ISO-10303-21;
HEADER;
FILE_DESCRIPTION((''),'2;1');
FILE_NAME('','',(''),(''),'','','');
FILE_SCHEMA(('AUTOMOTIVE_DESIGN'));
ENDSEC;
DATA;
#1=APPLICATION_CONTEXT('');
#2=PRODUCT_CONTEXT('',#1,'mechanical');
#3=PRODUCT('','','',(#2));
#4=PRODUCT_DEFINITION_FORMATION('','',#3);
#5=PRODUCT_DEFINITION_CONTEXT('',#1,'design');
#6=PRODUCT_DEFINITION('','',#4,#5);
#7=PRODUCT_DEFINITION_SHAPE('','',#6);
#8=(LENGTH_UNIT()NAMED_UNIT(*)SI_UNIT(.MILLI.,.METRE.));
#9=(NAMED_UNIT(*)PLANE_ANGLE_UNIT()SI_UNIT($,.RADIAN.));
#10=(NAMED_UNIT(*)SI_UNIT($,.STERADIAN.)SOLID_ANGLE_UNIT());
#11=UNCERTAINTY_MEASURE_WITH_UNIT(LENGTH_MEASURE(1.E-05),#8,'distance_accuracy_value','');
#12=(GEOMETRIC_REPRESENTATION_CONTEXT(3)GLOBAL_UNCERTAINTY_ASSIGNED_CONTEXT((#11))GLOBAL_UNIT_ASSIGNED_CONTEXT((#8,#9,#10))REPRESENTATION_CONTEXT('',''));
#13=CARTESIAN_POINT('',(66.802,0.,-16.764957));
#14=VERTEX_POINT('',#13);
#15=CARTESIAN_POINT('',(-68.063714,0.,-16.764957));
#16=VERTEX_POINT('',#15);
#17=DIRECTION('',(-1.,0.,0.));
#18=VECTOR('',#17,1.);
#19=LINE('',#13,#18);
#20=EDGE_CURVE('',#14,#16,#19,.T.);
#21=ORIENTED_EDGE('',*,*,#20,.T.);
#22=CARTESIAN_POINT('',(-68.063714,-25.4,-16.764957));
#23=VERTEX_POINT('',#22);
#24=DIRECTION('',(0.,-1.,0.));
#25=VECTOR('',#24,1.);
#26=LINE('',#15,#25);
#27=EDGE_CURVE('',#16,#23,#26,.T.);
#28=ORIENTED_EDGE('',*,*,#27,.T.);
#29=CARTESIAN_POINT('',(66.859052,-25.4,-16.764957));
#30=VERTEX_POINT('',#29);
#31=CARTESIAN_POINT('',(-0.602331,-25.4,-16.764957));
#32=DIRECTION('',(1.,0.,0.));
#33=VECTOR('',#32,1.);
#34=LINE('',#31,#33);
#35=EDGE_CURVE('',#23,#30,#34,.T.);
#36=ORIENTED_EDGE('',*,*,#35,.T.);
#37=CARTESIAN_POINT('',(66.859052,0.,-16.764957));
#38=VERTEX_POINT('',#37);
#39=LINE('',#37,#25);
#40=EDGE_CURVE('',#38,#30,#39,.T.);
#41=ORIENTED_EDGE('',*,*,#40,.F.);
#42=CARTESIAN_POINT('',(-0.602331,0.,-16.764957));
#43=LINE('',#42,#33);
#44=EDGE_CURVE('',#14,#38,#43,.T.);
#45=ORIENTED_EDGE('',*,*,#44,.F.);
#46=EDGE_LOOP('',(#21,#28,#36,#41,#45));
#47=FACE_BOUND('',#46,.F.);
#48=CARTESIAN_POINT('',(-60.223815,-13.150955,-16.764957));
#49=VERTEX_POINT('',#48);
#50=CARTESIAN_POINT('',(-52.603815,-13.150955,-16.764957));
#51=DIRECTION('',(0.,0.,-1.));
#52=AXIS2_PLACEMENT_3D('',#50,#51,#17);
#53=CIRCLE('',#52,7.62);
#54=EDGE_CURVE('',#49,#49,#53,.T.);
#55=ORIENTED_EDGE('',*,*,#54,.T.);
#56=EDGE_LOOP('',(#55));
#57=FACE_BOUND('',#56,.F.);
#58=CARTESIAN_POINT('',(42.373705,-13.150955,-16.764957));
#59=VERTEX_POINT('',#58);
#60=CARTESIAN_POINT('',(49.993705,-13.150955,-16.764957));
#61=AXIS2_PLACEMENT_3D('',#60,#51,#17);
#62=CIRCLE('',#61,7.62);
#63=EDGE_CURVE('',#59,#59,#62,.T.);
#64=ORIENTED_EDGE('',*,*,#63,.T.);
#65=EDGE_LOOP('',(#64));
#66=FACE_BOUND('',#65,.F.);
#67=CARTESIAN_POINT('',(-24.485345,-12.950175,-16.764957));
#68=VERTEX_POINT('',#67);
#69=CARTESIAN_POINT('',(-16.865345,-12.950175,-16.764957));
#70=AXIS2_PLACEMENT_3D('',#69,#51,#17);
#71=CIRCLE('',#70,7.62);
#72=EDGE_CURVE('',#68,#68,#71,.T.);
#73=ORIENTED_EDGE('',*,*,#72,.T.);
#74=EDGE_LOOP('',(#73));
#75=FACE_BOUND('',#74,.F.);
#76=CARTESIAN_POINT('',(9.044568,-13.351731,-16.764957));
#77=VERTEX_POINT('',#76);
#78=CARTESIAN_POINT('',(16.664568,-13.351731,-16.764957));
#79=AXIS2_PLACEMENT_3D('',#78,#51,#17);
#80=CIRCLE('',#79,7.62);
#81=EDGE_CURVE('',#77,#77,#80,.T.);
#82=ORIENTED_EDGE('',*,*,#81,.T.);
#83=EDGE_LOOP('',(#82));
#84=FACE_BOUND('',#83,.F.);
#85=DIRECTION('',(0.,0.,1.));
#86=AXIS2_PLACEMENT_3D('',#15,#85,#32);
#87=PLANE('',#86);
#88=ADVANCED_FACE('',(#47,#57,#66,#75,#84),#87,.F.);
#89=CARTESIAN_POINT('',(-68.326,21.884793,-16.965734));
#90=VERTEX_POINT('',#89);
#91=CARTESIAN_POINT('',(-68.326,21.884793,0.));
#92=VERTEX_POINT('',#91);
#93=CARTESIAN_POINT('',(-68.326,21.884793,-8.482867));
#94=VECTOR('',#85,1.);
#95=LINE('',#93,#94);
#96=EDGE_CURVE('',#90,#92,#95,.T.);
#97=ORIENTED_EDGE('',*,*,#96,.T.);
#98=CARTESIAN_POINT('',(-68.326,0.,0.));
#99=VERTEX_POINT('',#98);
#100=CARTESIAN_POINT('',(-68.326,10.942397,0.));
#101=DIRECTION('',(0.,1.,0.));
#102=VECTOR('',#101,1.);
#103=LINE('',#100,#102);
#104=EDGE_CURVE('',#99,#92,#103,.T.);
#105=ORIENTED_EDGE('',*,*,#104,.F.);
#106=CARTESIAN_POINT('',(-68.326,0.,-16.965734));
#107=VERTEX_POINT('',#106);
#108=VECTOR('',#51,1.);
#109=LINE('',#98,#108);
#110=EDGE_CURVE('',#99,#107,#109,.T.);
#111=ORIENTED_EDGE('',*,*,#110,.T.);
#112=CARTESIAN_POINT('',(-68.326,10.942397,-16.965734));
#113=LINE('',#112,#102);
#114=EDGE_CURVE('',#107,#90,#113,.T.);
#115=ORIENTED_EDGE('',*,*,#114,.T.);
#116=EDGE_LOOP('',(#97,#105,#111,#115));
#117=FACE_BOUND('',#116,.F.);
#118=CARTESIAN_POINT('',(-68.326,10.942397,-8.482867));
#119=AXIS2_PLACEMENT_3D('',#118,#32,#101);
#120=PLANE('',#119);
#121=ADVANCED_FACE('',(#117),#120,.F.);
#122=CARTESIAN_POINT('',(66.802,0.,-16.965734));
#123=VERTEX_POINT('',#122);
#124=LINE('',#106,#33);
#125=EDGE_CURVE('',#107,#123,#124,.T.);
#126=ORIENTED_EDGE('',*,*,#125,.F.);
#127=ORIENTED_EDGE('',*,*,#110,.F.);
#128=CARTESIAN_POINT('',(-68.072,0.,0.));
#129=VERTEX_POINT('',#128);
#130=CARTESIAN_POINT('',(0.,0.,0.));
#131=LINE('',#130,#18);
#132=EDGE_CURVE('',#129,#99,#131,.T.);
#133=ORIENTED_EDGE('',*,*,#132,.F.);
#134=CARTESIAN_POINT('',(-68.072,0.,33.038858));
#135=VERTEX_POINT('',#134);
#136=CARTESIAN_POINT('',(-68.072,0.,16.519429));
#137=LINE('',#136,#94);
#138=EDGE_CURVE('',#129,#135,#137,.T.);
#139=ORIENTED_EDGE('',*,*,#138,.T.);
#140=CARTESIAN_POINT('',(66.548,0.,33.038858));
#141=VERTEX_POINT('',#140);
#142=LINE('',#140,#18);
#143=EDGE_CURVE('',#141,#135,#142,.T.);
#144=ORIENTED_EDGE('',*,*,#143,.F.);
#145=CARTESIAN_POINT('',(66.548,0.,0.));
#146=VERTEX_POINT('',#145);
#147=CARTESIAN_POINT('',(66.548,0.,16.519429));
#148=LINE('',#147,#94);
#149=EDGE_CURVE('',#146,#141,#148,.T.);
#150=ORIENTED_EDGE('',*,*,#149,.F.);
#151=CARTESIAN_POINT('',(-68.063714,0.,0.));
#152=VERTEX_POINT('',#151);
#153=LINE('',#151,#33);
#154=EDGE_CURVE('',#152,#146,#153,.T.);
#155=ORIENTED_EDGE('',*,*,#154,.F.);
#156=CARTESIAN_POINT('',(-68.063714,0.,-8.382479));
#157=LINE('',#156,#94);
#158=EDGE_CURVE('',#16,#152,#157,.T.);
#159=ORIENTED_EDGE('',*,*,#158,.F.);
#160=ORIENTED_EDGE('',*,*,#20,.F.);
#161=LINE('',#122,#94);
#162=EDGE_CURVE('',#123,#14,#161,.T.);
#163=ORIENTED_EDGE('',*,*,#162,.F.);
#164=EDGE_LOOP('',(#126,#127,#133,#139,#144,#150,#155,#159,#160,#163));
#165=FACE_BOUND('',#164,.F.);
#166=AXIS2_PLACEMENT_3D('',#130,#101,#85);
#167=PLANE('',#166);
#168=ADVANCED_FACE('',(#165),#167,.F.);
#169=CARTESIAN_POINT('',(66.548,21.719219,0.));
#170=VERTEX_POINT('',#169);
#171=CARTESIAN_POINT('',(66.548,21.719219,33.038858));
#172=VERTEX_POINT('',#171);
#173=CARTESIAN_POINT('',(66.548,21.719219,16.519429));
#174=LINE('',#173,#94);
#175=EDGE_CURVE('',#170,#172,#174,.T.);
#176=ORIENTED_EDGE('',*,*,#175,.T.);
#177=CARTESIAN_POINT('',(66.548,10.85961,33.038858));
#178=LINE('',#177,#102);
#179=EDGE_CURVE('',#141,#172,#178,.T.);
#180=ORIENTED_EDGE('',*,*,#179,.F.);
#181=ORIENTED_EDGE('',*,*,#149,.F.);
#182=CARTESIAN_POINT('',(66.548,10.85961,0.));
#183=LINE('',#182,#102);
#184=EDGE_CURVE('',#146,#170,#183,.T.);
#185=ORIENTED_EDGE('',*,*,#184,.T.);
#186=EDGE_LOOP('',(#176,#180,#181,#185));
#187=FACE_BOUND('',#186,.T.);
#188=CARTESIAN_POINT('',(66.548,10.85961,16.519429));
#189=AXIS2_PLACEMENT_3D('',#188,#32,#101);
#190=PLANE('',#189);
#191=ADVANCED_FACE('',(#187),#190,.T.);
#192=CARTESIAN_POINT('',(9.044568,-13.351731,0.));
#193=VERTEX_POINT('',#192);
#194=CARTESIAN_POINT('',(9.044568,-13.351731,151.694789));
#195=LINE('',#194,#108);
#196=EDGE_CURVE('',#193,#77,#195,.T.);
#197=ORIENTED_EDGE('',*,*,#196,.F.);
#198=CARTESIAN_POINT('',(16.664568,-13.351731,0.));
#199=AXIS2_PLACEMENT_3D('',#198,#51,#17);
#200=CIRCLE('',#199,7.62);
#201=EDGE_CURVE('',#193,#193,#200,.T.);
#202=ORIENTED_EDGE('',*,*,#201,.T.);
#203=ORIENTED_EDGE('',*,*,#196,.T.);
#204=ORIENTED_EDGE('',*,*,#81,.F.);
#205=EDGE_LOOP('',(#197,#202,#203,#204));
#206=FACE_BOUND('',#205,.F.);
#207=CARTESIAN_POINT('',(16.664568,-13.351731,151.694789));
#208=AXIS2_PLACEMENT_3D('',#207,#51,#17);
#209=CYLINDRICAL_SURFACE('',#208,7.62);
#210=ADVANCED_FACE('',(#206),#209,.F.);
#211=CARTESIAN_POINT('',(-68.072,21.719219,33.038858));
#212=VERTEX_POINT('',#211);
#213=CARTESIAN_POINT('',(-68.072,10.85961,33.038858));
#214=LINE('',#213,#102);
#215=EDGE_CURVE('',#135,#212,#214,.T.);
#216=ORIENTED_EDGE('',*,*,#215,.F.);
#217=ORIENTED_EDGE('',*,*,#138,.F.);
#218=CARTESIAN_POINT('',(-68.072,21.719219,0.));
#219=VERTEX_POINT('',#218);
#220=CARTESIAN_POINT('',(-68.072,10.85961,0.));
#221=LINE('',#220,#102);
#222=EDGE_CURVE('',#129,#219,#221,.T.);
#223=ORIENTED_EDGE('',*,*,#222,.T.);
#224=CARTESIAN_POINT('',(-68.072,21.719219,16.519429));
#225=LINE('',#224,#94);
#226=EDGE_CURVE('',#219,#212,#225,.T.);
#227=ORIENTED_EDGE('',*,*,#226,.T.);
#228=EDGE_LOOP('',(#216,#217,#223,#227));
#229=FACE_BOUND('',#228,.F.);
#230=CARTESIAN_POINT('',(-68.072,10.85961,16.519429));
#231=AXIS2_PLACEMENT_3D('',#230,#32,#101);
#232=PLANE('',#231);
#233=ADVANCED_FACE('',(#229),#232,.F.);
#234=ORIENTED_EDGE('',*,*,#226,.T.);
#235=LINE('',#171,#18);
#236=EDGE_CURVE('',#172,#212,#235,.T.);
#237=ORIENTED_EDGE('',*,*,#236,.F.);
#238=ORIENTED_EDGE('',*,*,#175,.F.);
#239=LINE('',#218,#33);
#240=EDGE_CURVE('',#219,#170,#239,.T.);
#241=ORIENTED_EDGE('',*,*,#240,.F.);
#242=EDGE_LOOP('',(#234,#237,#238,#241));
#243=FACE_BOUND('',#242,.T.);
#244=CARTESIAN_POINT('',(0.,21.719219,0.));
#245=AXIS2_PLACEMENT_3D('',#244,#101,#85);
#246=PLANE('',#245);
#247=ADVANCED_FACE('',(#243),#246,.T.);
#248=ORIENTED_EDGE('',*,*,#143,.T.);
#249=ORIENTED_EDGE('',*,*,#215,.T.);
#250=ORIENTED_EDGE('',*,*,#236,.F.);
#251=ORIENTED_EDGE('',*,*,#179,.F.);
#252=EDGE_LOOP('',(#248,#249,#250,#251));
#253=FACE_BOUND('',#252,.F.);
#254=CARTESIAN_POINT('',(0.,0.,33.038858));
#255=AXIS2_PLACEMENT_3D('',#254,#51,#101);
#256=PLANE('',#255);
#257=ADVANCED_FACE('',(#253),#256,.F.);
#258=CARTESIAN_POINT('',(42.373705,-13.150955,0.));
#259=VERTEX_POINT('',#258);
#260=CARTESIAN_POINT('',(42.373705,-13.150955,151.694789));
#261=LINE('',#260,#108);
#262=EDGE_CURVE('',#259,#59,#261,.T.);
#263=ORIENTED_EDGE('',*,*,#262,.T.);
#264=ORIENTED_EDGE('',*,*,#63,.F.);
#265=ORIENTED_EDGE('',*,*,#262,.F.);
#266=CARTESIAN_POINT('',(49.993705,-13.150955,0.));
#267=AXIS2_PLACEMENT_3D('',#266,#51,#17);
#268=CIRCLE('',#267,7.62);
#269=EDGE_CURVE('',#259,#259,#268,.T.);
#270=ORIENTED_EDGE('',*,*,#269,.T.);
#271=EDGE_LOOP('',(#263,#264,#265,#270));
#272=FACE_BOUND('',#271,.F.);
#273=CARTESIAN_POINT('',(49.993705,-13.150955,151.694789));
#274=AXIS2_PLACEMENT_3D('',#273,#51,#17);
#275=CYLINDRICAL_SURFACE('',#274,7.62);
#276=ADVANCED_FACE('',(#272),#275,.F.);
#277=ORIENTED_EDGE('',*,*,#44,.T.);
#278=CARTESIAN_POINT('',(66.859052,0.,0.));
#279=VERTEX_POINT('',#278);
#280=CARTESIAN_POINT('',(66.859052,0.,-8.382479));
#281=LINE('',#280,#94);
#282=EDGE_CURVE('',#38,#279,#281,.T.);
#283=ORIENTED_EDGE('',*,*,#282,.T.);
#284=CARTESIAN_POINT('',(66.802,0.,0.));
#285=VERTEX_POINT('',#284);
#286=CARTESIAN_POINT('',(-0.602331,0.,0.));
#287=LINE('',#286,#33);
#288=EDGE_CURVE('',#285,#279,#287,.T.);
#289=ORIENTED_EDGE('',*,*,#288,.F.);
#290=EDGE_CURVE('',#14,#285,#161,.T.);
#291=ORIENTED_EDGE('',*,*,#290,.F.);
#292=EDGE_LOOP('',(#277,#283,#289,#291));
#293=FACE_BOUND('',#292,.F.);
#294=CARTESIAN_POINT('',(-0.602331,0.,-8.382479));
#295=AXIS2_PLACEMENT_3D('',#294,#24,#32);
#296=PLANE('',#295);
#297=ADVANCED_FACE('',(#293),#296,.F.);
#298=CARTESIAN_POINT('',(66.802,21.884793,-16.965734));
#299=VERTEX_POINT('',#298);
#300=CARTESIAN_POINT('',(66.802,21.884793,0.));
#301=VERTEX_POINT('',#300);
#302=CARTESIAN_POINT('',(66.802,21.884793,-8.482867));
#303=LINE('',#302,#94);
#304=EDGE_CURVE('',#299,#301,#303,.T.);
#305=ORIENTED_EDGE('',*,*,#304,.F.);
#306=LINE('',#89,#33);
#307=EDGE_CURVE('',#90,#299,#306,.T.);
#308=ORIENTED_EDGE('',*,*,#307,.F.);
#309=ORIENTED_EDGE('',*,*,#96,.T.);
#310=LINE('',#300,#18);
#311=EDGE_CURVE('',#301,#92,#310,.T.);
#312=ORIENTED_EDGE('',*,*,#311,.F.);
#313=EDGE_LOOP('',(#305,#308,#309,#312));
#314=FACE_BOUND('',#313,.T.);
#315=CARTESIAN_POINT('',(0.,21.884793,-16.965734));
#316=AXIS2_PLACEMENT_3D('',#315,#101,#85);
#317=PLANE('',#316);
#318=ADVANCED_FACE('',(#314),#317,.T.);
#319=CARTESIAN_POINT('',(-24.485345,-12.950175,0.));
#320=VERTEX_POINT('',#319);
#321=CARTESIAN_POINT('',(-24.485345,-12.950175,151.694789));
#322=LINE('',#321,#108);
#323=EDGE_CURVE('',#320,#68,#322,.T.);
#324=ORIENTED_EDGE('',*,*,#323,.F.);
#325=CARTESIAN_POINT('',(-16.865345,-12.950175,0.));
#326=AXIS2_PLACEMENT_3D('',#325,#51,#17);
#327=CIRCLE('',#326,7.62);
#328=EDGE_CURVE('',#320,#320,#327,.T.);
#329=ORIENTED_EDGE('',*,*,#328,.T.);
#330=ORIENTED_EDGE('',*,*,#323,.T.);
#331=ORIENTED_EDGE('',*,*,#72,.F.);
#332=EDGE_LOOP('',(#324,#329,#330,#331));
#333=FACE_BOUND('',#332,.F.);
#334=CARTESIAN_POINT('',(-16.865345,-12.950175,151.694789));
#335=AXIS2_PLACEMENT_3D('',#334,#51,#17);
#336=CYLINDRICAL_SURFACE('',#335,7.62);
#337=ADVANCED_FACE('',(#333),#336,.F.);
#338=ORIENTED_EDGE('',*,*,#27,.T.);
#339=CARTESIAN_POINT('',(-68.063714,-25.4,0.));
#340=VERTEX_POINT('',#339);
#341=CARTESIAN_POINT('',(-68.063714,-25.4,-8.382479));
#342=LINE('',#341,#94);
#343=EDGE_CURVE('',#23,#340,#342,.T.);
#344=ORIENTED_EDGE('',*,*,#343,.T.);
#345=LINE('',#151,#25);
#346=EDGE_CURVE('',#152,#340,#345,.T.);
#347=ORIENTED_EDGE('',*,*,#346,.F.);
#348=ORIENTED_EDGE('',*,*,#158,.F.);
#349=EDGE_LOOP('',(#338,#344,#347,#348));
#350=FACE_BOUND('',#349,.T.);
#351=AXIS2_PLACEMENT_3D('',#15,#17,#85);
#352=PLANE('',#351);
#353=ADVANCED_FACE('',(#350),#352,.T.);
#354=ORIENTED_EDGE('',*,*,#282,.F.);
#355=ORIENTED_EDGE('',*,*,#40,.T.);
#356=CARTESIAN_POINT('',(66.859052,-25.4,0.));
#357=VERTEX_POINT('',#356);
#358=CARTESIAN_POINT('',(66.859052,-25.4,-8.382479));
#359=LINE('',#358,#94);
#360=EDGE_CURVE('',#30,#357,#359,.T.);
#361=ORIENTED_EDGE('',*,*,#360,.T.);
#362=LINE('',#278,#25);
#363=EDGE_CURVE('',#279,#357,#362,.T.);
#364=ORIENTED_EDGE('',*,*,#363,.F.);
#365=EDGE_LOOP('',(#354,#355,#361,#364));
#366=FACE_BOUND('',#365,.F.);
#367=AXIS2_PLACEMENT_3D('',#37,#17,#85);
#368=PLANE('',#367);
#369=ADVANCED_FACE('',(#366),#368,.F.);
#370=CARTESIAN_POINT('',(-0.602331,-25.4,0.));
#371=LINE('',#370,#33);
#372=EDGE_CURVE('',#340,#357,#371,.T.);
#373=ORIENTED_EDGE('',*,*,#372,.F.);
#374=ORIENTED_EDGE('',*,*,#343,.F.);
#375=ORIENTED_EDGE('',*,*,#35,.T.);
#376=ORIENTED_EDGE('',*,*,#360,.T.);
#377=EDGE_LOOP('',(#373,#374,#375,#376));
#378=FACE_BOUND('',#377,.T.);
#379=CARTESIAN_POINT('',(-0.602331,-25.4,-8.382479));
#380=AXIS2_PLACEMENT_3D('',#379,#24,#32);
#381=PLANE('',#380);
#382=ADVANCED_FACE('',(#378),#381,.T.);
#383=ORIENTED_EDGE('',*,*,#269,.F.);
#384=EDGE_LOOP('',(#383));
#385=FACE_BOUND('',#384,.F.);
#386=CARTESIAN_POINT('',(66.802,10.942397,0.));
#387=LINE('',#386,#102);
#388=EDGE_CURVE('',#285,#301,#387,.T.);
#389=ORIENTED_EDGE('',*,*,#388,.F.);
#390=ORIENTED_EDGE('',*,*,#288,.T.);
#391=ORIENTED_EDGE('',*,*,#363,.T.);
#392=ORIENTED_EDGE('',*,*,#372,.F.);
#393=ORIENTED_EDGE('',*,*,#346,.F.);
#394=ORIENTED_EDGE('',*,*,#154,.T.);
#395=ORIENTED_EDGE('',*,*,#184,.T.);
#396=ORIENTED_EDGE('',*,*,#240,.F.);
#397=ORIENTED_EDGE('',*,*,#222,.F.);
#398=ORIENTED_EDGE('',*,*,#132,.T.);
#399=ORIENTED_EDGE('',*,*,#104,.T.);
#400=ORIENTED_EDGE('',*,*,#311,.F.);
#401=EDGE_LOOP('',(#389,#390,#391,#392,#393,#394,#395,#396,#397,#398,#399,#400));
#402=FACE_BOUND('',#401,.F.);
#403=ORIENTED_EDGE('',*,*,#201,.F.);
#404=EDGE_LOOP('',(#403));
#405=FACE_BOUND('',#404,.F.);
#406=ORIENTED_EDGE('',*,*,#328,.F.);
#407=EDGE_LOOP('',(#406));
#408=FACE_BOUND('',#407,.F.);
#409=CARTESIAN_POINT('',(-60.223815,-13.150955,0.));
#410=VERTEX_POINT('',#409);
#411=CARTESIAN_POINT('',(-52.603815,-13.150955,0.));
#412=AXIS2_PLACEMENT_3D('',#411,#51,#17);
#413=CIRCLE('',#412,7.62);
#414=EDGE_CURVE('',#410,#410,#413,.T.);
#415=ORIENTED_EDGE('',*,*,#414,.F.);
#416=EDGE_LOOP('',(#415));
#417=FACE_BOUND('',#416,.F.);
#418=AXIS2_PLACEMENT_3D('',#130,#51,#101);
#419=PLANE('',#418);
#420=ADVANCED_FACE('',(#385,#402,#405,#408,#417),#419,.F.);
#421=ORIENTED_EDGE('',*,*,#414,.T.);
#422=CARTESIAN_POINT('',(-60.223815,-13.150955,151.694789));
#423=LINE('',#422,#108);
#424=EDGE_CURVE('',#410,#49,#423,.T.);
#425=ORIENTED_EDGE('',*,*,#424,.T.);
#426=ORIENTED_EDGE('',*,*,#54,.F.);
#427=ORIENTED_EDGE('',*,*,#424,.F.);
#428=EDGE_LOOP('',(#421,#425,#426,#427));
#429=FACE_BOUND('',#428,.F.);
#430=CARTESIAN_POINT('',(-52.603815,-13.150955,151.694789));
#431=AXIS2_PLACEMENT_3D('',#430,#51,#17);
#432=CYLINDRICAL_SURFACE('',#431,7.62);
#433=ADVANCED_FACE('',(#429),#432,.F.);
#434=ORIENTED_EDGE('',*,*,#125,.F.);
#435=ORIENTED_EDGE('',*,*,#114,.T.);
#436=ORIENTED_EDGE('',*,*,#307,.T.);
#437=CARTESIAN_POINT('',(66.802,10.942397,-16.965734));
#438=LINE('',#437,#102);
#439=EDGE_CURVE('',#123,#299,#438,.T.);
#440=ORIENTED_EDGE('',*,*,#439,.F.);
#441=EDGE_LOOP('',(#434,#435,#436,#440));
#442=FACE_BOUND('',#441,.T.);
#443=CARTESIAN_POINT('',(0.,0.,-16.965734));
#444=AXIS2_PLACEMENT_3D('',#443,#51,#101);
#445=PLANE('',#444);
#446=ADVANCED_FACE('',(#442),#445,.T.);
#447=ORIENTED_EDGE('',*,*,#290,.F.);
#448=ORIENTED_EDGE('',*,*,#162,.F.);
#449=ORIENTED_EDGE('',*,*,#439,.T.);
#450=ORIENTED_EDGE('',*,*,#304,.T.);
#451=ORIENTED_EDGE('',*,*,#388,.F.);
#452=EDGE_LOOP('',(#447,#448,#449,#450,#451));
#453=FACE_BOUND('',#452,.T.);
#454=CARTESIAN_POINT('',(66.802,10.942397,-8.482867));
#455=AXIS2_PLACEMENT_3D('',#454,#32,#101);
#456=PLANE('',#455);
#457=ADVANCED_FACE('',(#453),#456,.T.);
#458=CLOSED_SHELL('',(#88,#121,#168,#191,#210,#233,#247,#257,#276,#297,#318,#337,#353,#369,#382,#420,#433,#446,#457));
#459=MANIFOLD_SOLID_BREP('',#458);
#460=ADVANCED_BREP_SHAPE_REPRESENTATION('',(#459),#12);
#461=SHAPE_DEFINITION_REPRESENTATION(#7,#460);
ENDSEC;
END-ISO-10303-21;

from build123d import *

# Parameters (mm, degrees)
F0_W     = 134.9227651954
F0_H     = 16.7649574578
F1_DEPTH = 25.4
F2_W     = 21.8847934157
F2_H     = 16.9657338411
F3_DEPTH = 25.4
F4_DEPTH = 25.4
F5_DEPTH = 16.002
F6_DEPTH = 68.326
F7_W     = 21.7192191631
F7_H     = 33.0388583243
F8_DEPTH = 66.548
F9_DEPTH = 68.072
F11_D    = 15.24
F12_D    = 15.24
F13_D    = 15.24


with BuildPart() as f1:
    # F0 (on Front) → F1 (new body)
    with BuildSketch(Plane.XZ):
        with Locations((-0.6023310125, -8.3824787289)):
            Rectangle(F0_W, F0_H)
    extrude(amount=F1_DEPTH)

    # F2 (on Right) → F3 (join)
    with BuildSketch(Plane.YZ):
        with Locations((10.9423967078, -8.4828669205)):
            Rectangle(F2_W, F2_H)
    extrude(amount=F3_DEPTH)

    # F4 (add): a face of the model
    f4_faces = [f1.faces().sort_by_distance(p)[0] for p in [
        (25.4, 10.9423967078, -8.4828669205),
    ]]
    extrude(f4_faces, amount=F4_DEPTH)

    # F5 (add): a face of the model
    f5_faces = [f1.faces().sort_by_distance(p)[0] for p in [
        (50.8, 10.9423967078, -8.4828669205),
    ]]
    extrude(f5_faces, amount=F5_DEPTH)

    # F6 (add): a face of the model
    f6_faces = [f1.faces().sort_by_distance(p)[0] for p in [
        (0, 10.9423967078, -8.4828669205),
    ]]
    extrude(f6_faces, amount=F6_DEPTH)

    # F7 (on Right) → F8 (join)
    with BuildSketch(Plane.YZ):
        with Locations((10.8596095815, 16.5194291621)):
            Rectangle(F7_W, F7_H)
    extrude(amount=F8_DEPTH)

    # F9 (add): a face of the model
    f9_faces = [f1.faces().sort_by_distance(p)[0] for p in [
        (0, 10.8596095815, 16.5194291621),
    ]]
    extrude(f9_faces, amount=F9_DEPTH)

    # F11 (through all)
    with Locations(Plane.XY):
        with Locations((-52.6038147509, -13.1509546191)):
            Hole(F11_D / 2)

    # F12 (through all)
    with Locations(Plane.XY):
        with Locations((-16.8653447181, -12.9501754418)):
            Hole(F12_D / 2)

    # F13 (through all)
    with Locations(Plane.XY):
        with Locations((16.6645683348, -13.3517310023), (49.9937050045, -13.1509546191)):
            Hole(F13_D / 2)


solid = f1.part
